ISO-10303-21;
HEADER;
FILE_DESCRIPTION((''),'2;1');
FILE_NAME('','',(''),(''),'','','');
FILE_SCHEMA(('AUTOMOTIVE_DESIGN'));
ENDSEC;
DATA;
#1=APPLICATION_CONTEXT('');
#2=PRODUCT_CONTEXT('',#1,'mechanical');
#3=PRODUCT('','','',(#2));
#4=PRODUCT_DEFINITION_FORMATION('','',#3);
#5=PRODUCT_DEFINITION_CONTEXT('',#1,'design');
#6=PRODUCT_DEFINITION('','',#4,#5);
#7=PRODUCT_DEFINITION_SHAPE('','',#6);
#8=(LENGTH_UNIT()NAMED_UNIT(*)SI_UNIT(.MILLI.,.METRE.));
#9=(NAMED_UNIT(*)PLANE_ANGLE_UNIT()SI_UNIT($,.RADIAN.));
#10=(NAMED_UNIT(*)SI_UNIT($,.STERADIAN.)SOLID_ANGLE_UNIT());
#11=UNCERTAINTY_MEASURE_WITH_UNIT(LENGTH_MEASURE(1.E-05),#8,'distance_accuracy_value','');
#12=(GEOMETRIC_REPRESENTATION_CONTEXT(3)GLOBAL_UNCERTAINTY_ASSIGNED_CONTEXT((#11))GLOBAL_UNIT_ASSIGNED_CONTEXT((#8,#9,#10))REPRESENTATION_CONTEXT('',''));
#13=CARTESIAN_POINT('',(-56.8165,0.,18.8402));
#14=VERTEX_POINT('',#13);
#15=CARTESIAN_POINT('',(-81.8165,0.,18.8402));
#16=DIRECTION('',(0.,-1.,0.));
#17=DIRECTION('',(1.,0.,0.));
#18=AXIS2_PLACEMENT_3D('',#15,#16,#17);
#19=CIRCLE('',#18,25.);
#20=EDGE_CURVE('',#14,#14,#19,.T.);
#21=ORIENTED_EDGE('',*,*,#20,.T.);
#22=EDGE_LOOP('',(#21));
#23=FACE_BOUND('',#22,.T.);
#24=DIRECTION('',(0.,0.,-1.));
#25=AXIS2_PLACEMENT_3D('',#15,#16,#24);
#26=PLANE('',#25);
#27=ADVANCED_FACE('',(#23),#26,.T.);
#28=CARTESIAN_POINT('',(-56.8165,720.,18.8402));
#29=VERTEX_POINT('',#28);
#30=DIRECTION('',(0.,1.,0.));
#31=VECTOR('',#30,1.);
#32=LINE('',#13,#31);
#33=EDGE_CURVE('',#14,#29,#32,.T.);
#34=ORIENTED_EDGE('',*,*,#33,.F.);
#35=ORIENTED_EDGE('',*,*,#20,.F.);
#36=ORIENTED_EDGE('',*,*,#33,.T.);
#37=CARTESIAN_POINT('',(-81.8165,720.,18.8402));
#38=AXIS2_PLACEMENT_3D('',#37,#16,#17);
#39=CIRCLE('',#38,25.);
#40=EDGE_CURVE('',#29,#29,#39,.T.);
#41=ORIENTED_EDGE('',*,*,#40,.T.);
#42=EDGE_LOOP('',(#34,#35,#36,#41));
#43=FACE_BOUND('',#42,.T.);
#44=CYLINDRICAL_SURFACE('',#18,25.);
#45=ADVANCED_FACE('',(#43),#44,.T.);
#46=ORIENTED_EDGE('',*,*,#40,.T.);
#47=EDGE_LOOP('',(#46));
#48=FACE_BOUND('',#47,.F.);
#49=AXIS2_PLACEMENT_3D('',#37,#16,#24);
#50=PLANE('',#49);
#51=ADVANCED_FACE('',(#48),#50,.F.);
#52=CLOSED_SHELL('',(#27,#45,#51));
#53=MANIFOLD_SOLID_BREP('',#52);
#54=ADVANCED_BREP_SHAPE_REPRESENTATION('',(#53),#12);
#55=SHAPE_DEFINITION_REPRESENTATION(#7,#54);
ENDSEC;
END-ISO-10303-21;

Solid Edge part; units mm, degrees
sketch "Sketch1" plane through (0, 0, 0) normal (0, -1, 0) x (1, 0, 0)
  circle A0 centre (-81.8165, 18.8402) radius 25
  dimension "D1" = 50
extrude "Protrusion1" add sketch "Sketch1" against normal blind 720
